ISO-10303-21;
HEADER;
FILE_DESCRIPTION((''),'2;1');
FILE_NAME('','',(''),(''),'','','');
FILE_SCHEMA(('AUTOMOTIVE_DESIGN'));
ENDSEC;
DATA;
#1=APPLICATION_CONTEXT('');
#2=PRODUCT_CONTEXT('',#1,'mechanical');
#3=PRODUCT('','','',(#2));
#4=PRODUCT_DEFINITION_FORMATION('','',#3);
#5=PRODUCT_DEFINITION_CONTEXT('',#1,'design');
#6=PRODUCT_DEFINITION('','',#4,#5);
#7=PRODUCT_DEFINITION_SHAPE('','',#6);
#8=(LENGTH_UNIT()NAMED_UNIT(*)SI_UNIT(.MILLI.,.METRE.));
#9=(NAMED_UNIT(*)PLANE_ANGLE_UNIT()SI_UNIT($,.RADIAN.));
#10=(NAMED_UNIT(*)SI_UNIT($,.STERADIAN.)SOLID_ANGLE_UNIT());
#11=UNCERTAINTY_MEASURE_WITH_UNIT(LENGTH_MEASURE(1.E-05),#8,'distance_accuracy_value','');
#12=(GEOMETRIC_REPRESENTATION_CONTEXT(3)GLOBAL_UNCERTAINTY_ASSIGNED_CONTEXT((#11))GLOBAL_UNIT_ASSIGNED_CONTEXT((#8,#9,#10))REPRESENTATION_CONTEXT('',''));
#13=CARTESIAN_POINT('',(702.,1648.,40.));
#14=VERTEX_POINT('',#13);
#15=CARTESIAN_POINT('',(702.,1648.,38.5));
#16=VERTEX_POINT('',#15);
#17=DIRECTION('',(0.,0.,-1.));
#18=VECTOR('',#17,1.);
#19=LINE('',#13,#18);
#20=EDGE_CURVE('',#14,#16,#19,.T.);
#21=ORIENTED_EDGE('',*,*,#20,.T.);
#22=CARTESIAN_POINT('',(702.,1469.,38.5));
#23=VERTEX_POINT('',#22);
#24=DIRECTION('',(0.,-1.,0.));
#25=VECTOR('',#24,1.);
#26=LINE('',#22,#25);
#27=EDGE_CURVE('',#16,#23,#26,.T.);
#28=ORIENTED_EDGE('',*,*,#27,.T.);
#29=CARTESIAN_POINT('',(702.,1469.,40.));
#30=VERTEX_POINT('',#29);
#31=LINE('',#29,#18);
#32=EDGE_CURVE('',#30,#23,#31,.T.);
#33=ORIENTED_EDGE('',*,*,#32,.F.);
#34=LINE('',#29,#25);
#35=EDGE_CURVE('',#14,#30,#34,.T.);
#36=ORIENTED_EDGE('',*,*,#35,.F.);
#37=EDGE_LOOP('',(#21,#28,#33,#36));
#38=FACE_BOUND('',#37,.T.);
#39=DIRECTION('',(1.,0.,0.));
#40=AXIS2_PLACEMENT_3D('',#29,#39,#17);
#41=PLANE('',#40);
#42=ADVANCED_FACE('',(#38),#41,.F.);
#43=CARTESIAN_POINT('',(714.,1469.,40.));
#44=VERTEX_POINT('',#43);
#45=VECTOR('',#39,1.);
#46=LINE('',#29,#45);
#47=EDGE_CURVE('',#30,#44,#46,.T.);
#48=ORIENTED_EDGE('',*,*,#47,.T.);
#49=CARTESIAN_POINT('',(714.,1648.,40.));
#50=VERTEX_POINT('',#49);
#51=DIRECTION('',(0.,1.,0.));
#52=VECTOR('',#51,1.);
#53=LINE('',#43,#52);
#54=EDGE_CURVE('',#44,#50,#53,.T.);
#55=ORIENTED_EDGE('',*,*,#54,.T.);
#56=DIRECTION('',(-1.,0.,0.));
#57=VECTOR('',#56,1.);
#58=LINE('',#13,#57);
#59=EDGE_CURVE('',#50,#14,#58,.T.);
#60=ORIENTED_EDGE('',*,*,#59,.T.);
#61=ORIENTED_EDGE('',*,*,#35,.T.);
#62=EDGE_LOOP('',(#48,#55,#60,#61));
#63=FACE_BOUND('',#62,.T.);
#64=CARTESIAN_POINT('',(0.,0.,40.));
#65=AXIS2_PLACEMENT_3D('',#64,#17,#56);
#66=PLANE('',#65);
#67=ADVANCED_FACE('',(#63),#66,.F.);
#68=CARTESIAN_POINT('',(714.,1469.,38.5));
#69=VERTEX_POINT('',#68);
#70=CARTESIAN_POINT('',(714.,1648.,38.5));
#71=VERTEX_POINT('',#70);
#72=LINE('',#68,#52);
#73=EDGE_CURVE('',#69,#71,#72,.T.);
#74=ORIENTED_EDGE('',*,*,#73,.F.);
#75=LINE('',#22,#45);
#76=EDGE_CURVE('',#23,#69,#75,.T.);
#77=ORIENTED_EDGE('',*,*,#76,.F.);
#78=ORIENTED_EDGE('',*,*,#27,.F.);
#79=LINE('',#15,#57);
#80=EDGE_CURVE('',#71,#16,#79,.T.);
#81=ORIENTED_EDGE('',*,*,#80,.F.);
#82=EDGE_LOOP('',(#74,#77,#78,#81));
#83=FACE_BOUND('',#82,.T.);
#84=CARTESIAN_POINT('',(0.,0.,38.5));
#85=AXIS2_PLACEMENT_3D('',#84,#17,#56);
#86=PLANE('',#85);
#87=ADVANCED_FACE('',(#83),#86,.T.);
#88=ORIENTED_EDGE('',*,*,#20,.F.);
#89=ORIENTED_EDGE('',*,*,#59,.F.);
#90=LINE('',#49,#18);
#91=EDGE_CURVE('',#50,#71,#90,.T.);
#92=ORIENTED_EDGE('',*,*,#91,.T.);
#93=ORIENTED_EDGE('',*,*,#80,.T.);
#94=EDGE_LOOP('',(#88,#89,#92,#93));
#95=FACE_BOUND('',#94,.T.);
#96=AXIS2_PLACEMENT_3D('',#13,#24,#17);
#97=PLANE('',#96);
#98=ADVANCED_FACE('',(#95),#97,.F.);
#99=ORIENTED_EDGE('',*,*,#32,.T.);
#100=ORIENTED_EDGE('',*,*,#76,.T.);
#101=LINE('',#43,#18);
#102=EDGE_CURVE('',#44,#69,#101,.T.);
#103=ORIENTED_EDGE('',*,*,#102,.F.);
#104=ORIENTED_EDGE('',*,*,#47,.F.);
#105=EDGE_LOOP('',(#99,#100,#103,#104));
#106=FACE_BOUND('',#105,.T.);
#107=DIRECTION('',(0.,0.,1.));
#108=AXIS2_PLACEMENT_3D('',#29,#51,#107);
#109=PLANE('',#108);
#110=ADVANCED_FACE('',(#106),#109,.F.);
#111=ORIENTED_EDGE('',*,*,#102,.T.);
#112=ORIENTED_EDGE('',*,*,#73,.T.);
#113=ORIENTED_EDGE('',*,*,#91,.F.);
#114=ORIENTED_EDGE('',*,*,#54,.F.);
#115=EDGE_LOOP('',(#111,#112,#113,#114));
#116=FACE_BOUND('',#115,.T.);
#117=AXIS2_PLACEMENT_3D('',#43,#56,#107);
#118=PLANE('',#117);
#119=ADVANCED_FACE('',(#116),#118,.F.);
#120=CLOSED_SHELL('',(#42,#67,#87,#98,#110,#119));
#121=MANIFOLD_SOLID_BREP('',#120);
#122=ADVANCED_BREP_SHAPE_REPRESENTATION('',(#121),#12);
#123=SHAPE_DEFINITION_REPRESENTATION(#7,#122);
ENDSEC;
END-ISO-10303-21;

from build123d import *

# Parameters (mm, degrees)
DET_ON_SOVE_DILIMI_1_START = 38.5
SKETCH1_W                  = 12
SKETCH1_H                  = 179
DET_ON_SOVE_DILIMI_1_DEPTH = 1.5


with BuildPart() as part:
    # Sketch1 → DET_on_sove_dilimi_1 (new body)
    with BuildSketch(Plane.XY.offset(DET_ON_SOVE_DILIMI_1_START)):
        with Locations((708, 1558.5)):
            Rectangle(SKETCH1_W, SKETCH1_H)
    extrude(amount=DET_ON_SOVE_DILIMI_1_DEPTH)


solid = part.part
